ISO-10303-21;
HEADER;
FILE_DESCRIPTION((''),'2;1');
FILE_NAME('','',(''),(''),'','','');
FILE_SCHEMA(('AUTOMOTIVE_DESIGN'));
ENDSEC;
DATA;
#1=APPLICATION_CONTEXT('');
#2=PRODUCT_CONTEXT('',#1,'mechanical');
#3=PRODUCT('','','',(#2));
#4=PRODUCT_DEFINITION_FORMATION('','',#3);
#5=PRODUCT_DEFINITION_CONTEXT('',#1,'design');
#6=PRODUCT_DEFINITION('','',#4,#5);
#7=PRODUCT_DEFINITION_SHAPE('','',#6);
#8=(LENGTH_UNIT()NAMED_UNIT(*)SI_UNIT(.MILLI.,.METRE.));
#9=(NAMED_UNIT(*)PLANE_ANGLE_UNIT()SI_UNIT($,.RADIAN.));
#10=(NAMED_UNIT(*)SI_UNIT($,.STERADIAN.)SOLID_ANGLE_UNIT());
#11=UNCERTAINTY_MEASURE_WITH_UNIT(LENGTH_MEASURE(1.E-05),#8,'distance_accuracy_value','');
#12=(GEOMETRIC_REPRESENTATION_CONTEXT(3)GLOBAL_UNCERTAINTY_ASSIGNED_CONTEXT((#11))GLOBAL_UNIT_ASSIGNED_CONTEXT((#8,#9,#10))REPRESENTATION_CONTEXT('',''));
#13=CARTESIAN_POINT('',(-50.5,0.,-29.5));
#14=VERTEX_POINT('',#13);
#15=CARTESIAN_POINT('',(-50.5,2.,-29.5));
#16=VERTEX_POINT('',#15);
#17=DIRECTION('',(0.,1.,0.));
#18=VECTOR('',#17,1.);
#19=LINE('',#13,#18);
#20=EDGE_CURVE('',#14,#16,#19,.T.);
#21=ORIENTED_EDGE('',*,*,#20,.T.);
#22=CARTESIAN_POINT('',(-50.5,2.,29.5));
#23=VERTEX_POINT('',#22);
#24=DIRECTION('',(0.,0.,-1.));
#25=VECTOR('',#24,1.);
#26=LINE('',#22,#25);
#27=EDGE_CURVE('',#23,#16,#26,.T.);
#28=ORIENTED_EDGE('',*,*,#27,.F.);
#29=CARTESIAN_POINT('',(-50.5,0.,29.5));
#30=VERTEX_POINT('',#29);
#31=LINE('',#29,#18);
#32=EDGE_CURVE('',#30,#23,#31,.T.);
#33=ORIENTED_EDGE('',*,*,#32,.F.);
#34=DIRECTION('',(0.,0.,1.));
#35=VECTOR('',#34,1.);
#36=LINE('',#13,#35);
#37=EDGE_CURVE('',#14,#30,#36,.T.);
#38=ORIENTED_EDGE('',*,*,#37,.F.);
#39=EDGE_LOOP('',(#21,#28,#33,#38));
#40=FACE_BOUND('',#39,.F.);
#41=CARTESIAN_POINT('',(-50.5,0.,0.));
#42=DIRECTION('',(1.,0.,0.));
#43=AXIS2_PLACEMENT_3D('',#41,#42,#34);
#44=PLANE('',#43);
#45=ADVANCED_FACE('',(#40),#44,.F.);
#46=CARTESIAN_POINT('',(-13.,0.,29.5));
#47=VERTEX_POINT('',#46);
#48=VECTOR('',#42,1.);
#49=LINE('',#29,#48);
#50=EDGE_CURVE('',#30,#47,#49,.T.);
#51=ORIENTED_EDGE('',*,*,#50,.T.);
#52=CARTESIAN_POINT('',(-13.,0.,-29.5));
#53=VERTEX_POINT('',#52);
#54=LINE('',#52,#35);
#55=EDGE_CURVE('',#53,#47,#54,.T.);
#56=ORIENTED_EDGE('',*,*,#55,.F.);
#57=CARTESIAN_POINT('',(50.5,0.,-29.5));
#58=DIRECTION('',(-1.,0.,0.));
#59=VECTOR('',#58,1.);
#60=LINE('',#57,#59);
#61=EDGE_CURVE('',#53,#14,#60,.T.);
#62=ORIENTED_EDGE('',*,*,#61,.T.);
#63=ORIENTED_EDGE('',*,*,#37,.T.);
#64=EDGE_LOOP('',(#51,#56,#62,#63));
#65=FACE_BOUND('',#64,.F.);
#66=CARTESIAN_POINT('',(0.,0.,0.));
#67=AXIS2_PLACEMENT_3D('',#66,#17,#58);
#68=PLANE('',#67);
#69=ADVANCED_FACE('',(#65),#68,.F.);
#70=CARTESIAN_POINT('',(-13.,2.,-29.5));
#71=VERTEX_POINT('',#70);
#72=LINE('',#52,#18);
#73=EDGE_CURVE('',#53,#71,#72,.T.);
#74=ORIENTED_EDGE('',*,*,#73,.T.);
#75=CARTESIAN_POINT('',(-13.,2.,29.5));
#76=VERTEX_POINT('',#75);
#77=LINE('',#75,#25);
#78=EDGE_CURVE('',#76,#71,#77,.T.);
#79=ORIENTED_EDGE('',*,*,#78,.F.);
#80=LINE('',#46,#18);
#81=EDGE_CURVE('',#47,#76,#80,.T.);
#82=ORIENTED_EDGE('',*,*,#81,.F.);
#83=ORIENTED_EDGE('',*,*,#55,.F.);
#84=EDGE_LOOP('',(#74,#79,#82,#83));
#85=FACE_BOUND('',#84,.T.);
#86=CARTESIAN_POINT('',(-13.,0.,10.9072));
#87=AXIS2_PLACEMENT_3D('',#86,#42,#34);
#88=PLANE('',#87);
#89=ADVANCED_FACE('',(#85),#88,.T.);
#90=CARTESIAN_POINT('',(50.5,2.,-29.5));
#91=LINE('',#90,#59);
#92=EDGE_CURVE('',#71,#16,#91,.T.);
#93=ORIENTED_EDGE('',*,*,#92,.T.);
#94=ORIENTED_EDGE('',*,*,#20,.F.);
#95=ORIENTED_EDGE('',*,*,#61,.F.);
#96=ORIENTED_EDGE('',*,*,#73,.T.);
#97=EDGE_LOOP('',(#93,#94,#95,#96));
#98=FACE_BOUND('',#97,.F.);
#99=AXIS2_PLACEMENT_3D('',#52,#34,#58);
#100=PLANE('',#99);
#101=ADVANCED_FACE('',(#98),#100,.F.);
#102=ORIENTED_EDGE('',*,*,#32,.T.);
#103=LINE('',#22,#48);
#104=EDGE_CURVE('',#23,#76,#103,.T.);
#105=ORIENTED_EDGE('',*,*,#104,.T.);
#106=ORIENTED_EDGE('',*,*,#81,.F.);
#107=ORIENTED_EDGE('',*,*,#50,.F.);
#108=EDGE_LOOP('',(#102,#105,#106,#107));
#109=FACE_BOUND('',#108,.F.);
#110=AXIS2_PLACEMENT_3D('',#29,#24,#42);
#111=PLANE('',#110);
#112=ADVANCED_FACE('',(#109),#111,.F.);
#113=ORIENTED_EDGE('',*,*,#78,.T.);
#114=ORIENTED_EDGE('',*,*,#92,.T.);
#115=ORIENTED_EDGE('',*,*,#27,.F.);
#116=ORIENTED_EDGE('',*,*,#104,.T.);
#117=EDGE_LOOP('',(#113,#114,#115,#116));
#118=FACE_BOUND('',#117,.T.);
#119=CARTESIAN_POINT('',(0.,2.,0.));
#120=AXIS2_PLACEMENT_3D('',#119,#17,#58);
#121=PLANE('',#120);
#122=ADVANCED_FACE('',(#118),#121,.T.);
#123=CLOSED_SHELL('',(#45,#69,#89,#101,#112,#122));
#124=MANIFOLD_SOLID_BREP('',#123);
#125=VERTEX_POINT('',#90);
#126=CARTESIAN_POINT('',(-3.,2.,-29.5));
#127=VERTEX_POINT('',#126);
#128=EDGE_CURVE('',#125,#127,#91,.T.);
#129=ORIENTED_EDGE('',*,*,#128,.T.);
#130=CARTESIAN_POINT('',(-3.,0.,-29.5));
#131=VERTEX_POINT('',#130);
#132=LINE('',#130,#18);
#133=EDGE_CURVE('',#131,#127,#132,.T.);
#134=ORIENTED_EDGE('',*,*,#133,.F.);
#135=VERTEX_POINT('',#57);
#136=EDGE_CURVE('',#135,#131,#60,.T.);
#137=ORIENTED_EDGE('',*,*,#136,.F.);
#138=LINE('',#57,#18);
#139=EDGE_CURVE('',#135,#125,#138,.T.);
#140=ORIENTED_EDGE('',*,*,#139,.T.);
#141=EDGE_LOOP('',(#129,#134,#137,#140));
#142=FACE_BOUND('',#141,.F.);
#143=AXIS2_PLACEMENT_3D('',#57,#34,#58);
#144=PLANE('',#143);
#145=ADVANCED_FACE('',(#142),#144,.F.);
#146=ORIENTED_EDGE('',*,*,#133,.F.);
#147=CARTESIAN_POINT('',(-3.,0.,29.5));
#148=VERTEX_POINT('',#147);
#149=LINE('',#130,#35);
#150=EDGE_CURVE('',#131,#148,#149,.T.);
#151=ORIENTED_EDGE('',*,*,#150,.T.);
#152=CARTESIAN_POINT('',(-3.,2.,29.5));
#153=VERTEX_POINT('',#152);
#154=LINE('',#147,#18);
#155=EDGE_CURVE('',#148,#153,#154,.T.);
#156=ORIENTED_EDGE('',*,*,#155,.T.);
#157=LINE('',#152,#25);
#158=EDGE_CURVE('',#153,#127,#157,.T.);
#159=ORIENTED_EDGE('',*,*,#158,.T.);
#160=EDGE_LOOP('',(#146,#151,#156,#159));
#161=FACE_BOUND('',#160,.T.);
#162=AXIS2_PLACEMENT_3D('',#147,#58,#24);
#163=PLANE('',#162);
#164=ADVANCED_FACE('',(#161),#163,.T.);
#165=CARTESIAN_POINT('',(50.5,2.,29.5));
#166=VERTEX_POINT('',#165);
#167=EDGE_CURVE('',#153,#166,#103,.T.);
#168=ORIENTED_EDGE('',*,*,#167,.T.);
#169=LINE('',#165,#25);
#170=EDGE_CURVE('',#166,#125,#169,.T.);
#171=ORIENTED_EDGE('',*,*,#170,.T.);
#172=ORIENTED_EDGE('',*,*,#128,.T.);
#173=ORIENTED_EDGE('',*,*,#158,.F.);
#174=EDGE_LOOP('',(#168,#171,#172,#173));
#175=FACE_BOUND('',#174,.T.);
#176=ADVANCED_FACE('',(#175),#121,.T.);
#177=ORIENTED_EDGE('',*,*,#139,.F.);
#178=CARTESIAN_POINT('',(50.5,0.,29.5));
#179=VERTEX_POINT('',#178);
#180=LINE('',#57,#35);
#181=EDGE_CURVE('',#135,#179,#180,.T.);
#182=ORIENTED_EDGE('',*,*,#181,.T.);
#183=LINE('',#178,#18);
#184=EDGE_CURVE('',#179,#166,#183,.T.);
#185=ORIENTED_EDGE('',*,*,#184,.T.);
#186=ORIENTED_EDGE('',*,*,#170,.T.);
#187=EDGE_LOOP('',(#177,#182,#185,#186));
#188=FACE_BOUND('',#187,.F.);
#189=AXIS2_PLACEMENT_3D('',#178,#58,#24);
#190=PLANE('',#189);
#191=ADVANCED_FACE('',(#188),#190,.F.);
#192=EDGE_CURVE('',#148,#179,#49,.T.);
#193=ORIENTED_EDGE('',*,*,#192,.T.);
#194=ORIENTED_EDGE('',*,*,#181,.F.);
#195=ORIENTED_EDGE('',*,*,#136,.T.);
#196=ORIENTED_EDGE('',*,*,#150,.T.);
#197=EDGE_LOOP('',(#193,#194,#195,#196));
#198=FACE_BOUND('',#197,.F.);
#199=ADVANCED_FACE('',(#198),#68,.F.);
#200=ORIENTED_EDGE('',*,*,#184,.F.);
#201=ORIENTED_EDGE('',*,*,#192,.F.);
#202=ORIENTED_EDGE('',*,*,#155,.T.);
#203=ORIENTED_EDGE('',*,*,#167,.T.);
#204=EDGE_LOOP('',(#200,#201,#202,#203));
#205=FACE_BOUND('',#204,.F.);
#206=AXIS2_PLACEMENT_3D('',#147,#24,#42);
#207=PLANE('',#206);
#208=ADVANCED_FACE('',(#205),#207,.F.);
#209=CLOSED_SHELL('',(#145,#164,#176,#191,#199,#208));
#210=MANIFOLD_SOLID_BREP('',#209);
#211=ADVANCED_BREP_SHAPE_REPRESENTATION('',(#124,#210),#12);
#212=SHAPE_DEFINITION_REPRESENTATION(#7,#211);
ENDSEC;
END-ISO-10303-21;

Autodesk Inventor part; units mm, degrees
ref_plane "YZ Plane" through (0, 0, 0) normal (1, 0, 0) x (0, 1, 0)
ref_plane "XZ Plane" through (0, 0, 0) normal (0, 1, 0) x (-1, 0, 0)
ref_plane "XY Plane" through (0, 0, 0) normal (0, 0, 1) x (1, 0, 0)
sketch "Sketch2" plane through (0, 0, 0) normal (0, 1, 0) x (-1, 0, 0)
  line L0 (50.5, 29.5) -> (-50.5, 29.5)
  line L1 (-50.5, 29.5) -> (-50.5, -29.5)
  line L2 (-50.5, -29.5) -> (50.5, -29.5)
  line L3 (50.5, -29.5) -> (50.5, 29.5)
  line L4 (3, 29.5) -> (3, -29.5)
  line L5 (13, -29.5) -> (13, 29.5)
  line L6 (50.5, 0) -> (-50.5, 0)
  line L7 (3, 10.9072) -> (13, 10.9072)
  point P0 (0, 0)
  point P1 (13, 0)
  point P2 (3, 0)
  point P3 (0, 0)
  point P4 (8, 10.9072)
  dimension "d7" = 10
  dimension "d8" = 59
  dimension "d9" = 101
  dimension "d13" = 42.5
extrude "Extrusion2" add sketch "Sketch2" along normal blind 2 contours L3 L6 L5 L0 | L3 L2 L5 L6 | L4 L6 L1 L0 | L4 L2 L1 L6
properties part number "Lag1"
